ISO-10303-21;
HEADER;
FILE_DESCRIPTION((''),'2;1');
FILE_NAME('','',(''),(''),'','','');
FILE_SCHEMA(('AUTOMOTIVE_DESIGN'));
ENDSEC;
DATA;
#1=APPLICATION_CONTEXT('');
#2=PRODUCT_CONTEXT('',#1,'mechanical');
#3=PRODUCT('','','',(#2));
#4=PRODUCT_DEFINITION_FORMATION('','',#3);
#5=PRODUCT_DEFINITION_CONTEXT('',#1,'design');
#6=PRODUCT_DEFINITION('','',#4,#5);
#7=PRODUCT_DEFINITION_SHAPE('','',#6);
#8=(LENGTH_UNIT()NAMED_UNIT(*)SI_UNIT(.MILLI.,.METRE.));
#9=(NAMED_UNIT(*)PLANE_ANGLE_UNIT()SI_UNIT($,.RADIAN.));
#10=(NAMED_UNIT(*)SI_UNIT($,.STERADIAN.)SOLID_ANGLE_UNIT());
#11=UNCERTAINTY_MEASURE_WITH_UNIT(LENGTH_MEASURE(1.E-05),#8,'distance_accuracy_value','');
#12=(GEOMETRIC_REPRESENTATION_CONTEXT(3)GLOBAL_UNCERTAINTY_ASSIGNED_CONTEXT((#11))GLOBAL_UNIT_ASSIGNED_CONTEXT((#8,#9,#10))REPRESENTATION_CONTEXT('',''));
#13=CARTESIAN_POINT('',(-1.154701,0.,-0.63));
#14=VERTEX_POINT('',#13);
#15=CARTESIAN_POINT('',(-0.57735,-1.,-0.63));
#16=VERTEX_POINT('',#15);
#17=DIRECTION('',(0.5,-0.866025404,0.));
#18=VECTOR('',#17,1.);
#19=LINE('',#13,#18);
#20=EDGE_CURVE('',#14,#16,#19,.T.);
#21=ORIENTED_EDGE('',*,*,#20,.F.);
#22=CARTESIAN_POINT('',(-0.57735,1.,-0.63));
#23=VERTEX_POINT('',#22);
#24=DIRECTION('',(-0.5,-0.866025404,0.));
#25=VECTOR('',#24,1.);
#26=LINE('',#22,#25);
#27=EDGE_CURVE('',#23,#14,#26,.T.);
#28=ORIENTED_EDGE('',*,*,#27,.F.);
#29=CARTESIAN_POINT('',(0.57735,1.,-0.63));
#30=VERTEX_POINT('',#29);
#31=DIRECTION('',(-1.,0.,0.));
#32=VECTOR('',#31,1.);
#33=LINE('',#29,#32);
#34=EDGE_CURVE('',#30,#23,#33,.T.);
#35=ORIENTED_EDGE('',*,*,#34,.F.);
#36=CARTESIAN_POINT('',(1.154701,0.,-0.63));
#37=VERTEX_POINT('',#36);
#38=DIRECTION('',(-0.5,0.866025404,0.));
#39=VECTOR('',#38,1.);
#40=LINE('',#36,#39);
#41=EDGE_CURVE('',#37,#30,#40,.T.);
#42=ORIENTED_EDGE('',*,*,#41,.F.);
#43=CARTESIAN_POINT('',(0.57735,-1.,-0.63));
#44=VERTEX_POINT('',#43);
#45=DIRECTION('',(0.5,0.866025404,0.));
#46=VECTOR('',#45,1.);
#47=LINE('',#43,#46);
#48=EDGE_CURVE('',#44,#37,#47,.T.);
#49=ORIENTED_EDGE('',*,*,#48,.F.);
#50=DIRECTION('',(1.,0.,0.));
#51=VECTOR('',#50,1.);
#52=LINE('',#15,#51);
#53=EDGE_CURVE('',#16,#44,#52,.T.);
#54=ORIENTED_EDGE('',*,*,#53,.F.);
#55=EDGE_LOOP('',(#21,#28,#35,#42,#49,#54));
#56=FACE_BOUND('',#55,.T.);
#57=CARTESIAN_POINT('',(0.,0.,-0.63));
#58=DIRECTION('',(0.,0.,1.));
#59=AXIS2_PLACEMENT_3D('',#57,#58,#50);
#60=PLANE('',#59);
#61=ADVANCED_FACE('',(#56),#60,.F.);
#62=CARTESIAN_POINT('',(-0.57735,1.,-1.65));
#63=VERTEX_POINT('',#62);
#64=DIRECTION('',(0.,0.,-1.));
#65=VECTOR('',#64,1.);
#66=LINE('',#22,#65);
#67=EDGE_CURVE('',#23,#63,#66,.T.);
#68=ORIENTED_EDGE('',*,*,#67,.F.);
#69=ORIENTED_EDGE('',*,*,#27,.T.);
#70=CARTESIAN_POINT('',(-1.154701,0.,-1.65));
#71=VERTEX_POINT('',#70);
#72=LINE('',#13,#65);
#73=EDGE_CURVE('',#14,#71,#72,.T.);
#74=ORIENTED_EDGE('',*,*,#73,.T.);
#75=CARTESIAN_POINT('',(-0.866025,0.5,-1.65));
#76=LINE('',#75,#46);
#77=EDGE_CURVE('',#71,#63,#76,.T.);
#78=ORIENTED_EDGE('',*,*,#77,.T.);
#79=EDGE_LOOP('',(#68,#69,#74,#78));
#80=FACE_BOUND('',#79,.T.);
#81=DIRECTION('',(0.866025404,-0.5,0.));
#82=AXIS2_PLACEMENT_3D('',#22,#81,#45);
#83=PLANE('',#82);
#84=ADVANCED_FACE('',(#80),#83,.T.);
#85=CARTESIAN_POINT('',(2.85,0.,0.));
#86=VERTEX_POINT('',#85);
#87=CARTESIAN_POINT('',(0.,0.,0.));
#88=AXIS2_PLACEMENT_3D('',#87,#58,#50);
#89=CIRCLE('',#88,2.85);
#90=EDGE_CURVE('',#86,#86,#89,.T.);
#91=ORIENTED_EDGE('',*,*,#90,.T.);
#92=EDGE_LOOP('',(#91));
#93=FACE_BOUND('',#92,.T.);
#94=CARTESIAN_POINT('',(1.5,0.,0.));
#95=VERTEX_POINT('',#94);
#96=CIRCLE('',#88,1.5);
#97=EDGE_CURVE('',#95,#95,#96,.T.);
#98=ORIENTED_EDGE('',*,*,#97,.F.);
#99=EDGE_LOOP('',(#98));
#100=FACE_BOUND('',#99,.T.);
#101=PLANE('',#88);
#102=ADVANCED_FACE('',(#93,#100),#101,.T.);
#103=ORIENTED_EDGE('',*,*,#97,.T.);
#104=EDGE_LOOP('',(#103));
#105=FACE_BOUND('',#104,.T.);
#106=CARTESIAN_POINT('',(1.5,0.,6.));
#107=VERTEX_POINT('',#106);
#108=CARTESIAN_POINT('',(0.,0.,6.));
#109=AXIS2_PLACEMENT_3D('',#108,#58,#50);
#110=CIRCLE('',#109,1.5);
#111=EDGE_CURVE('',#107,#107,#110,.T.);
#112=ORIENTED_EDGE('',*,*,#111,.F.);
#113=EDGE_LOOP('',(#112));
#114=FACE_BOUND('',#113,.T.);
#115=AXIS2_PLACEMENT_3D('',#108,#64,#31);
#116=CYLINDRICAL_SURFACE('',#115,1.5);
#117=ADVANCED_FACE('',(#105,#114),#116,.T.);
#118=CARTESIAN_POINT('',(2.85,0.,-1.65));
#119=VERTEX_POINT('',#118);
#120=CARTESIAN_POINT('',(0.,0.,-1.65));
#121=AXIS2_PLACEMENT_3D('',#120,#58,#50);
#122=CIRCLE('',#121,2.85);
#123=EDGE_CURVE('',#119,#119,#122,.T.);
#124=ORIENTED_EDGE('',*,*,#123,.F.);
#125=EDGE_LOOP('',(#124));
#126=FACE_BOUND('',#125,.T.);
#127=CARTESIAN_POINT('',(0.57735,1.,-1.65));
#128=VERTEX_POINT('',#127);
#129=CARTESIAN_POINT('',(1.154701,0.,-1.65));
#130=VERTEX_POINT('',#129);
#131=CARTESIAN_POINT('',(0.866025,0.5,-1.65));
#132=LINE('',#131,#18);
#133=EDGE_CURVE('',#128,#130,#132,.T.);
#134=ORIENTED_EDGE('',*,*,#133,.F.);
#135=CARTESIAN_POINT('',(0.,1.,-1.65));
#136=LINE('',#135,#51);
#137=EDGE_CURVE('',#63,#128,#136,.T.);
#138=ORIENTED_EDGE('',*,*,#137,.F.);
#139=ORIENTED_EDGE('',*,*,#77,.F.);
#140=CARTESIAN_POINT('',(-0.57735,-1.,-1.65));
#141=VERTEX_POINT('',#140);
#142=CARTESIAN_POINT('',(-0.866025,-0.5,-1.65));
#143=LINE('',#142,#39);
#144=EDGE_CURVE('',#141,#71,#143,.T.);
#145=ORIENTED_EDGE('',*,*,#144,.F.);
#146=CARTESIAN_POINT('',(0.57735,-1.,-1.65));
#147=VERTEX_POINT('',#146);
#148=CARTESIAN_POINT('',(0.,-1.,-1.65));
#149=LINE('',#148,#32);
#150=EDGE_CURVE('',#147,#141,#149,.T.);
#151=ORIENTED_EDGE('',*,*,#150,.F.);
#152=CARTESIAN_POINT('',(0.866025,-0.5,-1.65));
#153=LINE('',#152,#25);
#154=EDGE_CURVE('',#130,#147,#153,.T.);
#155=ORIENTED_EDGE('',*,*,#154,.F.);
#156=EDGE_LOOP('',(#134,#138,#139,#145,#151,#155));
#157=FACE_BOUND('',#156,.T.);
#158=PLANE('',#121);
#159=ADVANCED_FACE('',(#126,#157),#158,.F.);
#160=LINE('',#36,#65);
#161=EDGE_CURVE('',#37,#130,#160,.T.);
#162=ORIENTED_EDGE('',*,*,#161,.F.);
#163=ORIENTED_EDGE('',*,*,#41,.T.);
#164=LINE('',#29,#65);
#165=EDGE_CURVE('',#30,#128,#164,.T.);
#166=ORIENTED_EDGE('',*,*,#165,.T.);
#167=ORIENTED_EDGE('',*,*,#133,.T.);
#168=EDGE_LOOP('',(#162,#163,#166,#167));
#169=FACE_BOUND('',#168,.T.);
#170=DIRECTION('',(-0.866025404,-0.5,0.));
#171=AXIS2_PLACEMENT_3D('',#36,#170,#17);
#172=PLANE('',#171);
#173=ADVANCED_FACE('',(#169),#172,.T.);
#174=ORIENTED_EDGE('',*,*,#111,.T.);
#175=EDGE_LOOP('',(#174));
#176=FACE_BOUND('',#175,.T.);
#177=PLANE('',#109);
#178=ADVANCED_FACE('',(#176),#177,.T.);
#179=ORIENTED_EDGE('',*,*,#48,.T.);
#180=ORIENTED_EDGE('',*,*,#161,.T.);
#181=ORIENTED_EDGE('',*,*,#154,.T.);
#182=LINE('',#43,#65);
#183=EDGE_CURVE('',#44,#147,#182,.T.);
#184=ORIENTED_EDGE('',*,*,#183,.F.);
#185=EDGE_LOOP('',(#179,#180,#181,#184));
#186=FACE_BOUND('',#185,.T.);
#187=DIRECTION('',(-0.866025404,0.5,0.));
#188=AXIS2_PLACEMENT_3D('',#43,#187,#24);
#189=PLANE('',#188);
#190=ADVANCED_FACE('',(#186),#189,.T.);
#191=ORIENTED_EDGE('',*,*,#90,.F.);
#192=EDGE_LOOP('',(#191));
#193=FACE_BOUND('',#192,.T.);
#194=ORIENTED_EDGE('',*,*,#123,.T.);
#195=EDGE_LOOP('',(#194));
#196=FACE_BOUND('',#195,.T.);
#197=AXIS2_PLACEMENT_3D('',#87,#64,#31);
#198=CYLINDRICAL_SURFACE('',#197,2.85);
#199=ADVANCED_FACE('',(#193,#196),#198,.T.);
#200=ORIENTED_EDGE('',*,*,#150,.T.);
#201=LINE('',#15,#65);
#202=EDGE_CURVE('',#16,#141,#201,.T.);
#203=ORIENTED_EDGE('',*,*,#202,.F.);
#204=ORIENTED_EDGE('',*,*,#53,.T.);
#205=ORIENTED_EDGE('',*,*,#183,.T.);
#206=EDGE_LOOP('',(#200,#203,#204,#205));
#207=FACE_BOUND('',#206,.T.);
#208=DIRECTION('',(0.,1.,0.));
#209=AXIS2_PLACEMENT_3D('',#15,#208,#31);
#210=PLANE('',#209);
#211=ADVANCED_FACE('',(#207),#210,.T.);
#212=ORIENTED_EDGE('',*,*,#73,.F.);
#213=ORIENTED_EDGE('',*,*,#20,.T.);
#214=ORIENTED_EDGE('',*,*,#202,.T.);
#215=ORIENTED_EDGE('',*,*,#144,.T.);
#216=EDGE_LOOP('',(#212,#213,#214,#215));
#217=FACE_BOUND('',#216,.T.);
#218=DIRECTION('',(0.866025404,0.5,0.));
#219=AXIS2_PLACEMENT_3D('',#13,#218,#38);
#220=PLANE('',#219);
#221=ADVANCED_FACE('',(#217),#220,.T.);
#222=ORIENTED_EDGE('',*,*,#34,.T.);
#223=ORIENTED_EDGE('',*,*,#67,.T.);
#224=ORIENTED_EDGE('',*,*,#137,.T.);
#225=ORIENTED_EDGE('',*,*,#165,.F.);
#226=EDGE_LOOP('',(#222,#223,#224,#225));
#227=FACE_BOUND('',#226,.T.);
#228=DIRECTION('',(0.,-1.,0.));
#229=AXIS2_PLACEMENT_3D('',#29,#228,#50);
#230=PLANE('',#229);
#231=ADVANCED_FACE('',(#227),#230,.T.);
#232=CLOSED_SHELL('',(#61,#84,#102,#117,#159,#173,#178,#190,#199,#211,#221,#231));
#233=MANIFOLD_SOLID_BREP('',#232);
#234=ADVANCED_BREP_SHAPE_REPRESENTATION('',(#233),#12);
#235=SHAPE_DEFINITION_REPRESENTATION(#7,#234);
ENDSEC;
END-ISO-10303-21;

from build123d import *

# Parameters (mm, degrees)
F_01_START                                     = -1.65
S01_ISO_7380_BUTTON_HEAD_CLEARANCE_ENV_R       = 2.85
F_01_ISO_7380_BUTTON_HEAD_CLEARANCE_ENVE_DEPTH = 1.65
S02_M3_UNDERHEAD_LENGTH_R                      = 1.5
F_02_M3_UNDERHEAD_LENGTH_DEPTH                 = 6
F_03_START                                     = -1.75
F_03_BUTTON_HEAD_HEX_SOCKET_DEPTH              = 1.12


with BuildPart() as part:
    # S01 - ISO 7380 button head clearance envelope → 01 - ISO 7380 button head clearance envelope (new body)
    with BuildSketch(Plane.XY.offset(F_01_START)):
        Circle(S01_ISO_7380_BUTTON_HEAD_CLEARANCE_ENV_R)
    extrude(amount=F_01_ISO_7380_BUTTON_HEAD_CLEARANCE_ENVE_DEPTH)

    # S02 - M3 underhead length → 02 - M3 underhead length (add)
    with BuildSketch(Plane.XY):
        Circle(S02_M3_UNDERHEAD_LENGTH_R)
    extrude(amount=F_02_M3_UNDERHEAD_LENGTH_DEPTH)

    # S03 - Button head hex socket → 03 - Button head hex socket (cut)
    with BuildSketch(Plane.XY.offset(F_03_START)):
        Polygon((1.154700538, 0), (0.577350269, 1), (-0.577350269, 1), (-1.154700538, 0), (-0.577350269, -1), (0.577350269, -1), align=None)
    extrude(amount=F_03_BUTTON_HEAD_HEX_SOCKET_DEPTH, mode=Mode.SUBTRACT)


solid = part.part
